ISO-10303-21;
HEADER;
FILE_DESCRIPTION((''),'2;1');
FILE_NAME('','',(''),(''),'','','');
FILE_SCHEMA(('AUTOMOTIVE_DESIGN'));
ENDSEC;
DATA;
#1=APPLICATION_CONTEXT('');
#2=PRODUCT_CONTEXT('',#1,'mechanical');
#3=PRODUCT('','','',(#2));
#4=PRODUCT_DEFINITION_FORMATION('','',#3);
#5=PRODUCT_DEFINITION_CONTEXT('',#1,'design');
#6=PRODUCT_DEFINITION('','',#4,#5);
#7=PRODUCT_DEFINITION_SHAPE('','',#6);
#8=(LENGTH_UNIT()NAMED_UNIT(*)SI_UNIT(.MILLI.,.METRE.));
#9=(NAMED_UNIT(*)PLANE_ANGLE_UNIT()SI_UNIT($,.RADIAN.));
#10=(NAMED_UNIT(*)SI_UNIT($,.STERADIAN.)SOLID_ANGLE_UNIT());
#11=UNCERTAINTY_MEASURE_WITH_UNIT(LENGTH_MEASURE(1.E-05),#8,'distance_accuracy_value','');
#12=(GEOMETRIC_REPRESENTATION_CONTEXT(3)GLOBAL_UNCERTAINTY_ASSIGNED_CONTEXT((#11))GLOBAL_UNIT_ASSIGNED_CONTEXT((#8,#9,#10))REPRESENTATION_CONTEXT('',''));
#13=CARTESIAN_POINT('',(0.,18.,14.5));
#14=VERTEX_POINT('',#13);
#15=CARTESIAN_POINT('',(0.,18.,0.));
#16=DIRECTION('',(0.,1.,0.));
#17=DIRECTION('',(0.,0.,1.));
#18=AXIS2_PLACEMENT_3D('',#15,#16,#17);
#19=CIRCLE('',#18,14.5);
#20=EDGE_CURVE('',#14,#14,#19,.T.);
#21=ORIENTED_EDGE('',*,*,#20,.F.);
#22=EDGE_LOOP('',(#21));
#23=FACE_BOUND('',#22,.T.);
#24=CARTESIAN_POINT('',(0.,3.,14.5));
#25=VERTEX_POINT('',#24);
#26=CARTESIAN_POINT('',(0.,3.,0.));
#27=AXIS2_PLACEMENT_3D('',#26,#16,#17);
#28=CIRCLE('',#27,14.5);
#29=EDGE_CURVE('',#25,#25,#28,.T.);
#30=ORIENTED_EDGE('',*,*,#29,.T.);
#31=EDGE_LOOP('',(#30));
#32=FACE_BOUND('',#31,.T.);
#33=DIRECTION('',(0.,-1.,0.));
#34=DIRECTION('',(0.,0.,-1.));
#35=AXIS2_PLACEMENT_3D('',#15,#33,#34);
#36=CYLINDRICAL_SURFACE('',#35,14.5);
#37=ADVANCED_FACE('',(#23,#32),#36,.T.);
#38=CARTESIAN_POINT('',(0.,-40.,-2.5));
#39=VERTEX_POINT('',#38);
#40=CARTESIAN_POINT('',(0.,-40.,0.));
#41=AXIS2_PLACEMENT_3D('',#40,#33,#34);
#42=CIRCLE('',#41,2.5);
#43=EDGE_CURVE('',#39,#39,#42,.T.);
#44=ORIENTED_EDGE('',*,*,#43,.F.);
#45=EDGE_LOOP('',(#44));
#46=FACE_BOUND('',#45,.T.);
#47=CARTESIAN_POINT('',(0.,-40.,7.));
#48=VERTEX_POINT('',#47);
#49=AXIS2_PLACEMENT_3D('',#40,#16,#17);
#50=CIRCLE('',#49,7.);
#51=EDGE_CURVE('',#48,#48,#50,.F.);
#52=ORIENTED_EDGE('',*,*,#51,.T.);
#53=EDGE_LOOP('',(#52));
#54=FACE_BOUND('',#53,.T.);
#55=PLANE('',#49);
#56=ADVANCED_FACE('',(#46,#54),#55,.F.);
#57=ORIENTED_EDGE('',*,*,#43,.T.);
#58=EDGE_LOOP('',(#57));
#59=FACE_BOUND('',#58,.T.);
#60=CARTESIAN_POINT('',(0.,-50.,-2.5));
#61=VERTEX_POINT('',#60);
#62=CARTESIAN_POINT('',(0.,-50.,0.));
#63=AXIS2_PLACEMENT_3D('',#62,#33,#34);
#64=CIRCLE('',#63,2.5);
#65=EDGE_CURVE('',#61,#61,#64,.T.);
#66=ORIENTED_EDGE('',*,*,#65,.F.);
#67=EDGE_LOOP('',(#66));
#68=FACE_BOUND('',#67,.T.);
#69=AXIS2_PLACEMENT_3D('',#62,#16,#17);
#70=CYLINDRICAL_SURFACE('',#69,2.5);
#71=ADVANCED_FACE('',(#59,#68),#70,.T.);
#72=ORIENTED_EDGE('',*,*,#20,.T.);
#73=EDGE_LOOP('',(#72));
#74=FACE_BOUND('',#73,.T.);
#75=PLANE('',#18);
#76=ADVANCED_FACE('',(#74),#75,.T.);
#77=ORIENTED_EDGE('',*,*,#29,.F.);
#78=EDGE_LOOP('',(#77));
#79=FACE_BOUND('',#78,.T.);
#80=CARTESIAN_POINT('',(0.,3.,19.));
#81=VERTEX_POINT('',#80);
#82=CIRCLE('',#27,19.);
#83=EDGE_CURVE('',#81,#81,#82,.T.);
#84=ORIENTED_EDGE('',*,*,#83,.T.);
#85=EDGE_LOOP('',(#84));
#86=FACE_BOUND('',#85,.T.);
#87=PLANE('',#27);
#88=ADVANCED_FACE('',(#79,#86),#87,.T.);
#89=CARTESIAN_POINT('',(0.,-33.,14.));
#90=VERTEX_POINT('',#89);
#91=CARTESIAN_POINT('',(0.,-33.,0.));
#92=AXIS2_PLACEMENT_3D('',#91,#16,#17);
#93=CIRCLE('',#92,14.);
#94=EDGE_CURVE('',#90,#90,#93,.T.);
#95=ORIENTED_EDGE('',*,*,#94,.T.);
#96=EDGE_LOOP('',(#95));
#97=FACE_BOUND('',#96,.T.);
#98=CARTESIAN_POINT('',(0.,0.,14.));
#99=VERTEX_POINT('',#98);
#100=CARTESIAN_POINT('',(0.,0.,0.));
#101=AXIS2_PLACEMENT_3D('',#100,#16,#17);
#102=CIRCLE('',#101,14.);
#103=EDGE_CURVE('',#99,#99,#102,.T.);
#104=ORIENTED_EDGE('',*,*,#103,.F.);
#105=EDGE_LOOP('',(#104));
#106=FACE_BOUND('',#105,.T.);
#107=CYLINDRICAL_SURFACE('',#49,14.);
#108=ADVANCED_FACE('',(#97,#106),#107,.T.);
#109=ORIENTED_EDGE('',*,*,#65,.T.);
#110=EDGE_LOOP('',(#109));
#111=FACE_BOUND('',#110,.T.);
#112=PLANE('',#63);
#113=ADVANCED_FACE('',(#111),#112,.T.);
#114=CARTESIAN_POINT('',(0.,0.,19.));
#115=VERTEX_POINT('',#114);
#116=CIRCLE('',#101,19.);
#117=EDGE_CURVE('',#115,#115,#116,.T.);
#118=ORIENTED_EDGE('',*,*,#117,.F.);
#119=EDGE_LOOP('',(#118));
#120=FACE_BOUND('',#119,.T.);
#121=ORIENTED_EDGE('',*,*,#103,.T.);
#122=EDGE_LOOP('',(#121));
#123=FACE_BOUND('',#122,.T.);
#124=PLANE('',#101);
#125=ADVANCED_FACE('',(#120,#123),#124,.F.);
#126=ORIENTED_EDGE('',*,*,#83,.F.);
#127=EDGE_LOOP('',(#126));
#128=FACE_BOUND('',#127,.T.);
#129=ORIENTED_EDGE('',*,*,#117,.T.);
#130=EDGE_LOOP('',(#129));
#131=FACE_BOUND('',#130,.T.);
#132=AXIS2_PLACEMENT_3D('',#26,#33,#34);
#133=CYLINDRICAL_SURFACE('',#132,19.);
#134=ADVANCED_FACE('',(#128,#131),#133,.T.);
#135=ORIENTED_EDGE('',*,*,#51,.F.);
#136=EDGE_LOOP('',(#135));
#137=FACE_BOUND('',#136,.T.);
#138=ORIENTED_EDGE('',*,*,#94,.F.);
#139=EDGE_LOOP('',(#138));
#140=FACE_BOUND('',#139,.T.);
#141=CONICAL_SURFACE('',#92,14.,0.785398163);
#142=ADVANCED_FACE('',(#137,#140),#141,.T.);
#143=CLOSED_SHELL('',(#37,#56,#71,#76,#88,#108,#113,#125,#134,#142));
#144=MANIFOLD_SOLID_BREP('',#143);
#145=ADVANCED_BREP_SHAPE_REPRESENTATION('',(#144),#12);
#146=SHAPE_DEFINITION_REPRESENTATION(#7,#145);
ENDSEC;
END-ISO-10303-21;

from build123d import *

# Parameters (mm, degrees)
SKETCH_1_R      = 14
EXTRUDE_1_DEPTH = 40
CHAMFER_1_SIZE  = 7
SKETCH_2_R      = 19
EXTRUDE_2_DEPTH = 3
SKETCH_3_R      = 14.5
EXTRUDE_3_DEPTH = 15
SKETCH_4_R      = 2.5
EXTRUDE_4_DEPTH = 10


with BuildPart() as part:
    # Эскиз1 → Бобышка-Вытянуть1 (new body)
    with BuildSketch(Plane(origin=(0, 0, 0), x_dir=(1, 0, 0), z_dir=(0, 1, 0))):
        Circle(SKETCH_1_R)
    extrude(amount=-EXTRUDE_1_DEPTH)

    # Фаска1
    chamfer_1_edges = [part.edges().sort_by_distance(p)[0] for p in [
        (-14, -40, 0),
    ]]
    chamfer(chamfer_1_edges, length=CHAMFER_1_SIZE)

    # Эскиз2 → Бобышка-Вытянуть2 (add)
    with BuildSketch(Plane(origin=(0, 0, 0), x_dir=(1, 0, 0), z_dir=(0, 1, 0))):
        Circle(SKETCH_2_R)
    extrude(amount=EXTRUDE_2_DEPTH)

    # Эскиз3 → Бобышка-Вытянуть3 (add)
    with BuildSketch(Plane(origin=(0, 3, 0), x_dir=(1, 0, 0), z_dir=(0, 1, 0))):
        Circle(SKETCH_3_R)
    extrude(amount=EXTRUDE_3_DEPTH)

    # Эскиз4 → Бобышка-Вытянуть4 (add)
    with BuildSketch(Plane.XZ.offset(40)):
        Circle(SKETCH_4_R)
    extrude(amount=EXTRUDE_4_DEPTH)


solid = part.part
